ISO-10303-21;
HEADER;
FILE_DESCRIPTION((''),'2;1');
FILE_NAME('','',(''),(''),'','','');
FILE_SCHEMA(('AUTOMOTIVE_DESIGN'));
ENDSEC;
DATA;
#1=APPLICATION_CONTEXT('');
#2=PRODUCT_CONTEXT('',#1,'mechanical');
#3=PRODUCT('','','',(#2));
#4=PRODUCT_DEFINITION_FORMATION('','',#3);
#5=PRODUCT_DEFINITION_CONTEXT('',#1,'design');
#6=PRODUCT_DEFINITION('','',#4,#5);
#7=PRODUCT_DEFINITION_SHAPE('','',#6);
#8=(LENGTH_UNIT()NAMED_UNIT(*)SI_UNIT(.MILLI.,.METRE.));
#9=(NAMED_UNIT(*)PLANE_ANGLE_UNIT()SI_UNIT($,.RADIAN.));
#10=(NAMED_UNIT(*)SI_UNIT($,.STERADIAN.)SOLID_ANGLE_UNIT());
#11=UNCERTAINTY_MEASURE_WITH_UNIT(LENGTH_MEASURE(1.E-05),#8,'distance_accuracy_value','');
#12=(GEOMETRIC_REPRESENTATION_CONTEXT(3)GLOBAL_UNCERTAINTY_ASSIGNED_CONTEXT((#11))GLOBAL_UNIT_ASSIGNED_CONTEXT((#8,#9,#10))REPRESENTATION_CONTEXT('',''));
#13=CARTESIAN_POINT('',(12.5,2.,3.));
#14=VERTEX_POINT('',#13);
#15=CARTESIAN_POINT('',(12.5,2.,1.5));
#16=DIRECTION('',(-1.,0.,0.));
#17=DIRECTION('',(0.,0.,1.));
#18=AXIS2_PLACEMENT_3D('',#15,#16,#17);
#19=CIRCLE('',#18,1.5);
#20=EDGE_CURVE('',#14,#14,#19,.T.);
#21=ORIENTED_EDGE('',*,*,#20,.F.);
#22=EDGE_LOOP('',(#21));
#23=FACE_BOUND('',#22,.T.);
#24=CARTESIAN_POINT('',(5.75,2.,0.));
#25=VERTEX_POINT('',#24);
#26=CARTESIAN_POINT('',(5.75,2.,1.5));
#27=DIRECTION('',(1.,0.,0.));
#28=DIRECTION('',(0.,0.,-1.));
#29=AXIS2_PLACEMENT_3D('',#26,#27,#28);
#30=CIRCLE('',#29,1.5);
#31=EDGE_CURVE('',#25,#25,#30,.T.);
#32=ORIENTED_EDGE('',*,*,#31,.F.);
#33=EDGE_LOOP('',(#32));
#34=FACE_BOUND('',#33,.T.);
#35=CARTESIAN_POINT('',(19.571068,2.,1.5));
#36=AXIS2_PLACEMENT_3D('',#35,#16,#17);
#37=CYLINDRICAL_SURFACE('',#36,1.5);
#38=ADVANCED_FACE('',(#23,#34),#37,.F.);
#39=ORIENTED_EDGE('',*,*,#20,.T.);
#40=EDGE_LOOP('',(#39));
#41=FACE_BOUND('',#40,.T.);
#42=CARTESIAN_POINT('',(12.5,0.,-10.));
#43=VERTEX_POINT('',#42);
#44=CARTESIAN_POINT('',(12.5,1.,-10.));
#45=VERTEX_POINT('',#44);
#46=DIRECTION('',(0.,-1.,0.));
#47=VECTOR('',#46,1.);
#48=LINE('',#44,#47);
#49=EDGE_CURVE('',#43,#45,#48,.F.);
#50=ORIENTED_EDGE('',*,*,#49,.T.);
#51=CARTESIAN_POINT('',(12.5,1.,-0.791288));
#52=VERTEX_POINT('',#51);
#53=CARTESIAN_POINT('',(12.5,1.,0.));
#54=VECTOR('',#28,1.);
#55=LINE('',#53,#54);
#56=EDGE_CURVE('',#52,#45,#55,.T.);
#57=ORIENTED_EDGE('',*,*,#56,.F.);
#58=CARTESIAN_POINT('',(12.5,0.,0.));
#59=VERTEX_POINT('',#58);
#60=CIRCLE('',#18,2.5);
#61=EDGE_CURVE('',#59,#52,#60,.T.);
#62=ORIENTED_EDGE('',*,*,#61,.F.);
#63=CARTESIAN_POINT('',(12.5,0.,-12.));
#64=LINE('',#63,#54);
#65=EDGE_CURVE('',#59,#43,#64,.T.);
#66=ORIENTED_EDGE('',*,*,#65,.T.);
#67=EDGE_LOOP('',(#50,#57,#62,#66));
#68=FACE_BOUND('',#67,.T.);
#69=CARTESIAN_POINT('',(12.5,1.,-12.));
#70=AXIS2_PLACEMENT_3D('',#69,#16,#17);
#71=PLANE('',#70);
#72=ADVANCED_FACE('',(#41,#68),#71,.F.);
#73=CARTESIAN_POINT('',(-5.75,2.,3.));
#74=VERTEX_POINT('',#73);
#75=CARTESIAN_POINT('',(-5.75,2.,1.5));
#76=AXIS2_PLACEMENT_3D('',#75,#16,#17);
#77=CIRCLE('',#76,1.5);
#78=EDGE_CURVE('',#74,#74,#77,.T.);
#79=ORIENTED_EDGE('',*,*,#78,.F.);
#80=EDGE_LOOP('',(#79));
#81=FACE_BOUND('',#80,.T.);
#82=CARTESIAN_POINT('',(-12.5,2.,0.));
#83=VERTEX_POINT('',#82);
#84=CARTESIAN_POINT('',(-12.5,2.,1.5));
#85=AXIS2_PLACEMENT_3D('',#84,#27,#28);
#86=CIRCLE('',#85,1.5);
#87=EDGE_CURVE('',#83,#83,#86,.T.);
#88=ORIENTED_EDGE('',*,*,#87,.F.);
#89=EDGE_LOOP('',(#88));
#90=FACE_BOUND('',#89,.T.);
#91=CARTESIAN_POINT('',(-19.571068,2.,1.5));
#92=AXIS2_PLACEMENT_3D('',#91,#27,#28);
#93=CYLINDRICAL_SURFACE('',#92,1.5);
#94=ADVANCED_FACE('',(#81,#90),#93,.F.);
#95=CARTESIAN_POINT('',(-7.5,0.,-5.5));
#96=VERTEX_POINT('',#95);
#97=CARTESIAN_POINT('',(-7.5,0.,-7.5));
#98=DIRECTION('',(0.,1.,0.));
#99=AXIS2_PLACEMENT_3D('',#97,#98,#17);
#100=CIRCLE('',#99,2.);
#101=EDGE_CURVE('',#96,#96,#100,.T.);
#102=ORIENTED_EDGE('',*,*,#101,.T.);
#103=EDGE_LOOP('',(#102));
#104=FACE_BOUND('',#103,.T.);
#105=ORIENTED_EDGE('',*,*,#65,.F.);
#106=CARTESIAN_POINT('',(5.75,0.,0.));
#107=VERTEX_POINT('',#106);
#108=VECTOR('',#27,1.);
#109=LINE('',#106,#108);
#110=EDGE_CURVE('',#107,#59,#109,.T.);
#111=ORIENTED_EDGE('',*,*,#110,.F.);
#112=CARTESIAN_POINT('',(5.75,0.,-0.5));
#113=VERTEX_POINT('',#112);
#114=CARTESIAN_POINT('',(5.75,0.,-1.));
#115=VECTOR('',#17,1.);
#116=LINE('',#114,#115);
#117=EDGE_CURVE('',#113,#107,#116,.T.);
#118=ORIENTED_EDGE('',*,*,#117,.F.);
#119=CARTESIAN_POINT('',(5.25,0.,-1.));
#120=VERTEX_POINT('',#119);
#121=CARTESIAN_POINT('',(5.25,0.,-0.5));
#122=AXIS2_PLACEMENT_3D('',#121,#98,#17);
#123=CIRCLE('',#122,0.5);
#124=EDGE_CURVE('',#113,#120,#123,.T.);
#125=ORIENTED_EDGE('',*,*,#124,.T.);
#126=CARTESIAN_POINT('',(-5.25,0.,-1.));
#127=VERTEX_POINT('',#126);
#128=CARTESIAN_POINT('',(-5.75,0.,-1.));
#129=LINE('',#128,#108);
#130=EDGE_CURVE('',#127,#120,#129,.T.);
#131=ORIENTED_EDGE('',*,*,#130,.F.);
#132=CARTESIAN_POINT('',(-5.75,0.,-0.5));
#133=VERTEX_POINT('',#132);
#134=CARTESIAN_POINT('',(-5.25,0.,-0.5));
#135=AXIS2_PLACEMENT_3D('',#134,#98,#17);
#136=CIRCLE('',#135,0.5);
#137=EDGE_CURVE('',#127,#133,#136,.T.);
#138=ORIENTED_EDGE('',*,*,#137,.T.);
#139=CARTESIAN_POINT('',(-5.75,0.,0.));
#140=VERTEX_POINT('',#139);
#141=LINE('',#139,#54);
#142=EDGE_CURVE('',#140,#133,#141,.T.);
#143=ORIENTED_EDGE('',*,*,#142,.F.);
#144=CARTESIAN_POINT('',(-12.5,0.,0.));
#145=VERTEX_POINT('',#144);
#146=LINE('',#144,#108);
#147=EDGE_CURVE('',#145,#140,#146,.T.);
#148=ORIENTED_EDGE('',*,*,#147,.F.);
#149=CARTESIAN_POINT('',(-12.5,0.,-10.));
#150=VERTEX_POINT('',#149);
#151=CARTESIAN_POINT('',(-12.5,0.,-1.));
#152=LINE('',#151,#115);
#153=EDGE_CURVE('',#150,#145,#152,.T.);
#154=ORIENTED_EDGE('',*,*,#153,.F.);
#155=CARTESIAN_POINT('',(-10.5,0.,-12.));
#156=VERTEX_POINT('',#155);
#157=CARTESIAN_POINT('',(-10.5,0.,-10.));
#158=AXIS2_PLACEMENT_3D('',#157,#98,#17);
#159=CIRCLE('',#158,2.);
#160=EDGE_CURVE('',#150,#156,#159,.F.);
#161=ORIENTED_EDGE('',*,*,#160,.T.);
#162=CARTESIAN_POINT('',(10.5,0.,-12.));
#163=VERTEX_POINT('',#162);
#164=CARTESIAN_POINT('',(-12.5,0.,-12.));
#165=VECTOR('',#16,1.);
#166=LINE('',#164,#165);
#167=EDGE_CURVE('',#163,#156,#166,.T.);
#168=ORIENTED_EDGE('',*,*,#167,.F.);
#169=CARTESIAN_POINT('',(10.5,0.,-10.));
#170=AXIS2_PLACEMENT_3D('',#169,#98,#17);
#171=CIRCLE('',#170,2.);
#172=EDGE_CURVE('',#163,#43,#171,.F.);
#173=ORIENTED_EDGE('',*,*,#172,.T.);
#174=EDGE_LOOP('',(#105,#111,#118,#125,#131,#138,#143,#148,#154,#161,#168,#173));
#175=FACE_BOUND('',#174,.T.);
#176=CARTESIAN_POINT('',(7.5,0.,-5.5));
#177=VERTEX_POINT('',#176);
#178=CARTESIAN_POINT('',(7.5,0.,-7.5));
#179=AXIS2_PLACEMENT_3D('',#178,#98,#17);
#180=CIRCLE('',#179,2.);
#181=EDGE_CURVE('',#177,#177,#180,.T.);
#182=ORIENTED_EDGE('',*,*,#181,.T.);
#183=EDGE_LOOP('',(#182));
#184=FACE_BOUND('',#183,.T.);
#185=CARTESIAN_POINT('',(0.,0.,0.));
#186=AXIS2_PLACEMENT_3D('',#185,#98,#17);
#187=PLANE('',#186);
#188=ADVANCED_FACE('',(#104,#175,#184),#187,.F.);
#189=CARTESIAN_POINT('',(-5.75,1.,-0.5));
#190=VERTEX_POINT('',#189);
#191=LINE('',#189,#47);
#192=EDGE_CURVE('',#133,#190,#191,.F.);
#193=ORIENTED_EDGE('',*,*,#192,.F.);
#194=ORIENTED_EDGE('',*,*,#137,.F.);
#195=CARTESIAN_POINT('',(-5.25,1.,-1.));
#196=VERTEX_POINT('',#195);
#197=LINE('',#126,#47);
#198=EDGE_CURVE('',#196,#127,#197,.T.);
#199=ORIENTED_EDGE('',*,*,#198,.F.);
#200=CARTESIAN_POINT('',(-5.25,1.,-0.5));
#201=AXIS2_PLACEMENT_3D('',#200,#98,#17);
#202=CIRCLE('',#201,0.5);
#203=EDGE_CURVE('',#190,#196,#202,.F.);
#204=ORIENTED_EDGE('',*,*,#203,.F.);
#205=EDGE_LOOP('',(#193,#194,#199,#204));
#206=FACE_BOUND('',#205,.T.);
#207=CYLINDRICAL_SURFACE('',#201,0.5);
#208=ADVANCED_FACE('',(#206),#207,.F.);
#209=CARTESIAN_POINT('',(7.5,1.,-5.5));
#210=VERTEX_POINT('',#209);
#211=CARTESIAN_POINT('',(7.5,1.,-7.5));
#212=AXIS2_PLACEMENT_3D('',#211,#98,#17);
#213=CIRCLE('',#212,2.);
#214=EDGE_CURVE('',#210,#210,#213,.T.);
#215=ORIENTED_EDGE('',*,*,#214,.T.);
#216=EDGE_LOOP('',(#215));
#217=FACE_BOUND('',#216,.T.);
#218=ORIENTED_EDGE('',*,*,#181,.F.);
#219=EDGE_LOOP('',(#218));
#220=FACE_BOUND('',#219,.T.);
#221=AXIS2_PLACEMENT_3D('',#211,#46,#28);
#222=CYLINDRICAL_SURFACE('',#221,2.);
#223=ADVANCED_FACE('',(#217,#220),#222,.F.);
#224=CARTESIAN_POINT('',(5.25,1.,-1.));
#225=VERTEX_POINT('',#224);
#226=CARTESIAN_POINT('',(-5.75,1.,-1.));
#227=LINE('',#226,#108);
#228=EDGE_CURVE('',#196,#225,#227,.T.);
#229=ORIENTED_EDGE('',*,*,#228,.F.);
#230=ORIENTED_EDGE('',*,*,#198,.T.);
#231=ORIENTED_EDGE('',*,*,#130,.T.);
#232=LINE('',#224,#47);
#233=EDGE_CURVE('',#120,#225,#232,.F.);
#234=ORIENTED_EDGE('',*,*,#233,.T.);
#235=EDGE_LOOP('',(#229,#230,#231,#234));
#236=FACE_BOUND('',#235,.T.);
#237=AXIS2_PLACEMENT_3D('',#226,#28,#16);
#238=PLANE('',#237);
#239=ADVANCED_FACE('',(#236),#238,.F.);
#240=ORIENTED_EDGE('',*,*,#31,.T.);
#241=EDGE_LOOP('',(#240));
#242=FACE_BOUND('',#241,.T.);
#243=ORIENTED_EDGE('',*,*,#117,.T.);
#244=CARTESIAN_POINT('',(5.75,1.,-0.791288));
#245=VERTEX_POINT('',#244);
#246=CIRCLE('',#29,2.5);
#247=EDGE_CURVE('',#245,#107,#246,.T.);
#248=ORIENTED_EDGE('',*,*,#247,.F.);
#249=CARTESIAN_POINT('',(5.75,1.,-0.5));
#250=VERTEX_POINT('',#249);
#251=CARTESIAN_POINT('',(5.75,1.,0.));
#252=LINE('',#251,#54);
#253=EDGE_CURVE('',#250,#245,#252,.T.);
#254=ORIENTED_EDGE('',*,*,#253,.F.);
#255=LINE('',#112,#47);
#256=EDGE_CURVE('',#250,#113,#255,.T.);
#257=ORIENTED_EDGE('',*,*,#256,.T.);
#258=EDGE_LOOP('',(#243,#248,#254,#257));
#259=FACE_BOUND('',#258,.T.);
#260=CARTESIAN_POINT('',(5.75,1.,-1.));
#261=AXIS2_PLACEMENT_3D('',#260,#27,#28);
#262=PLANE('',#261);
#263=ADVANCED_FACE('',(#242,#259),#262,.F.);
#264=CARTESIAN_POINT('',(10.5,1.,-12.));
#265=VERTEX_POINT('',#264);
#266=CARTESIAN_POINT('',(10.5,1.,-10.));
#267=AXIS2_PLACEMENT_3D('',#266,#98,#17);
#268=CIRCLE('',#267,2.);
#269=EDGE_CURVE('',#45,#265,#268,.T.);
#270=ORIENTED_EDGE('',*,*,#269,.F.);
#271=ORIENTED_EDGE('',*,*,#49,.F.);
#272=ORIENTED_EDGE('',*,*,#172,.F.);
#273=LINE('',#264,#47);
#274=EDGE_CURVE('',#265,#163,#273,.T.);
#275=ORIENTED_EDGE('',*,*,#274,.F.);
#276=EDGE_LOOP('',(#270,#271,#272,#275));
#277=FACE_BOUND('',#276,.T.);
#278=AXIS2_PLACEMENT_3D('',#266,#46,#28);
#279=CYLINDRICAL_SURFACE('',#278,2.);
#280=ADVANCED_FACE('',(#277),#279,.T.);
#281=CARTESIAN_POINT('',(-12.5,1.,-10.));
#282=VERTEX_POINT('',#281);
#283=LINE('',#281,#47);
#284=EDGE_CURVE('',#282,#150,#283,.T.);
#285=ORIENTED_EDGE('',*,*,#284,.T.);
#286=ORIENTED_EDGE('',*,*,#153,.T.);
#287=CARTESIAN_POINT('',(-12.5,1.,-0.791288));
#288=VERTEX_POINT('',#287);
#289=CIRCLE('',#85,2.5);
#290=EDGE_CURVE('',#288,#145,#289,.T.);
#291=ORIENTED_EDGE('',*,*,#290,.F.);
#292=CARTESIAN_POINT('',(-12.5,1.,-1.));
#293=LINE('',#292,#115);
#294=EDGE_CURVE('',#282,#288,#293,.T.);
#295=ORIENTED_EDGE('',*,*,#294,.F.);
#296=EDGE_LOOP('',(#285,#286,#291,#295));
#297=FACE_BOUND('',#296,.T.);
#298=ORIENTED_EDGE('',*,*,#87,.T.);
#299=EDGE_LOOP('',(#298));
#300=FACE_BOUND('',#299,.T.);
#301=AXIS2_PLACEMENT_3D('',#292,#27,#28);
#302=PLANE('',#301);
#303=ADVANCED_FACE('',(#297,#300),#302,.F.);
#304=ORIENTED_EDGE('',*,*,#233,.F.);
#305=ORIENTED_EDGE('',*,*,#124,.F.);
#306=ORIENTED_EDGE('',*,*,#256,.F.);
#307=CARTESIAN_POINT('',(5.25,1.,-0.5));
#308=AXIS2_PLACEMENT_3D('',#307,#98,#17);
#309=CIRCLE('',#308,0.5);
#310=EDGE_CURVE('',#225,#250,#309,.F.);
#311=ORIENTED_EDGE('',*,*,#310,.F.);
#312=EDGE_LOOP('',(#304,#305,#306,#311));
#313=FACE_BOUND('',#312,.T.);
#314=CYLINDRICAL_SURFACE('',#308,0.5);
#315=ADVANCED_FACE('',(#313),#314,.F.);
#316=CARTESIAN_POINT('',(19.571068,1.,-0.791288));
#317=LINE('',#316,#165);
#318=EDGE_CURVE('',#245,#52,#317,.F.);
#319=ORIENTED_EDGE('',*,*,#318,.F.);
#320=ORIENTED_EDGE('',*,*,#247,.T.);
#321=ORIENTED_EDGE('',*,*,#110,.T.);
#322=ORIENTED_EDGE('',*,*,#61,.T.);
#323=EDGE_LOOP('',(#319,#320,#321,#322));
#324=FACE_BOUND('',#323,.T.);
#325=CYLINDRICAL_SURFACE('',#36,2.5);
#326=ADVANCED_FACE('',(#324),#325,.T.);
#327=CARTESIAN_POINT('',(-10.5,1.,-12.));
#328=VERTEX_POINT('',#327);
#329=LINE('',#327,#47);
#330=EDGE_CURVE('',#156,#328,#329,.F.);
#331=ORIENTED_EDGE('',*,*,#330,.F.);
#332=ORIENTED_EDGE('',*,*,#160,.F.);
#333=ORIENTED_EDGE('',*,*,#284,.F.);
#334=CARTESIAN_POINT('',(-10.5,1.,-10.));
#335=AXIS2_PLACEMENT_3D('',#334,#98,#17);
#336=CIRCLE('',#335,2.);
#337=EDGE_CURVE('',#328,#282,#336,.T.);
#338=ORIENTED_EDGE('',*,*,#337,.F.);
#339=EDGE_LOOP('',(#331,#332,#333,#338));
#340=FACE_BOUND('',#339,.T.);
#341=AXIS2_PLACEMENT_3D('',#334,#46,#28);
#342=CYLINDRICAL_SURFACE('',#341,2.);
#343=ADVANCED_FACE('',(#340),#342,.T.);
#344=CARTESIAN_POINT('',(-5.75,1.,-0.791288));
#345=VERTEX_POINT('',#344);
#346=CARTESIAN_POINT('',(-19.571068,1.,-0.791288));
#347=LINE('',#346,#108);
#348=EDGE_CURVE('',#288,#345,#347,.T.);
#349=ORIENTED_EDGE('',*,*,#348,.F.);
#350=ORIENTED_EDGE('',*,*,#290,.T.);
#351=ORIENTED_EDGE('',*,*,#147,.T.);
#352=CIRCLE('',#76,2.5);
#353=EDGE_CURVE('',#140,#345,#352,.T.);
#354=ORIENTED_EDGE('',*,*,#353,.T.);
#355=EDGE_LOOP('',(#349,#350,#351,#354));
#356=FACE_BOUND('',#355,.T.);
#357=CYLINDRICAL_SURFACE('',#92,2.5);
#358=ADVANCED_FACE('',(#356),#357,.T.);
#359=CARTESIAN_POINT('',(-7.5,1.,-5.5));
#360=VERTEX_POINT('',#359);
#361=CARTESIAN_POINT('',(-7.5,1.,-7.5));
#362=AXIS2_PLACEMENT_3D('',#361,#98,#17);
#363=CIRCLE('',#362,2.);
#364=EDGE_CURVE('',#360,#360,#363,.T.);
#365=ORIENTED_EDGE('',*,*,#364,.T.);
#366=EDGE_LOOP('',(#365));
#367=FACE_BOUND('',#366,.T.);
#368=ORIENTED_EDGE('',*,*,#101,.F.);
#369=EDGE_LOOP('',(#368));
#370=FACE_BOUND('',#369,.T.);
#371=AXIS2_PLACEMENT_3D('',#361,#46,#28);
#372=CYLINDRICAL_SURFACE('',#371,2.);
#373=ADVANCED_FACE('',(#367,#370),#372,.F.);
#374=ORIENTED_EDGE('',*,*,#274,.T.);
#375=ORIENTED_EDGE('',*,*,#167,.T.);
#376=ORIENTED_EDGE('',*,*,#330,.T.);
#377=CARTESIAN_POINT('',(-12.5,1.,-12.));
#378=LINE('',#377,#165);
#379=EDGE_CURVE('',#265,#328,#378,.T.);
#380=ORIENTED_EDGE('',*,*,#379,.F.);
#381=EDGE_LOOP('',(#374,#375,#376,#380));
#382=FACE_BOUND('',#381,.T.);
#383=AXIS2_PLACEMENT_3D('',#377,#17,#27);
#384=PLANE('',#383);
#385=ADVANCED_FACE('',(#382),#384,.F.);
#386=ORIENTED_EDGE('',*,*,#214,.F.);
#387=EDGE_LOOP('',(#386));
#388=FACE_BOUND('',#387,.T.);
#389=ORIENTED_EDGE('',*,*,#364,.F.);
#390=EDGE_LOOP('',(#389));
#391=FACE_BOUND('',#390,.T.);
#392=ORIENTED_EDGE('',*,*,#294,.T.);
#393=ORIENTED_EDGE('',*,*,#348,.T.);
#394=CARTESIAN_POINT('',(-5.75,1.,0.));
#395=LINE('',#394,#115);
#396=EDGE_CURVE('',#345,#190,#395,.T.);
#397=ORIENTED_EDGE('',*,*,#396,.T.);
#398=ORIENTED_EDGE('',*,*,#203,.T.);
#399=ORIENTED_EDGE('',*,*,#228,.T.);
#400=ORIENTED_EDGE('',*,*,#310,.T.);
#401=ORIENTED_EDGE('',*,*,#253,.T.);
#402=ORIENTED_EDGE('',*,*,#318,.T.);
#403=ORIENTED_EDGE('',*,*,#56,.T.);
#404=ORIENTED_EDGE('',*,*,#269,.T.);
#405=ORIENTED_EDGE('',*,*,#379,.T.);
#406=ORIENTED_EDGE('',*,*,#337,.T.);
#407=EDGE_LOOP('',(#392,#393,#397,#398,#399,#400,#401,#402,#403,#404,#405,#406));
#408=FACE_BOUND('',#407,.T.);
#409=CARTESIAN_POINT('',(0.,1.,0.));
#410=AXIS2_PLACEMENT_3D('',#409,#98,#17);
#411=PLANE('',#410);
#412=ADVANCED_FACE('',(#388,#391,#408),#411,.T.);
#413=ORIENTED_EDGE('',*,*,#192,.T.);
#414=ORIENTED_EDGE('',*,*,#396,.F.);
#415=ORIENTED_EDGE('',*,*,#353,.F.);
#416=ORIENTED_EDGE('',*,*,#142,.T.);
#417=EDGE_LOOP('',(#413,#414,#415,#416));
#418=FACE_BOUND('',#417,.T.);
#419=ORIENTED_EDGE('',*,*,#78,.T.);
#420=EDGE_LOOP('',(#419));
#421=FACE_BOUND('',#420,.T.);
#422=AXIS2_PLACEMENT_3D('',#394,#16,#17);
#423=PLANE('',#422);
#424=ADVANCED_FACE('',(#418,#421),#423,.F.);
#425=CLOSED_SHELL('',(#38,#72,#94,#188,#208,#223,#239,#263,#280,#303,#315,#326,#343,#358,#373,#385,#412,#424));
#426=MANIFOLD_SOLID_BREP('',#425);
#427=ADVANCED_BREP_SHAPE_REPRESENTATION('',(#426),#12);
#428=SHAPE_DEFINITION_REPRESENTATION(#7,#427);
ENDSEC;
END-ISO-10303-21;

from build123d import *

# Parameters (mm, degrees)
SKETCH_1_R      = 2
EXTRUDE_1_DEPTH = 1
FILLET_1_R      = 2
FILLET_2_R      = 0.5
EXTRUDE_START   = -5.75
SKETCH_2_R      = 2.5
SKETCH_2_R_2    = 1.5
EXTRUDE_2_DEPTH = 6.75
EXTRUDE_START_2 = 12.5
SKETCH_2_3_R    = 2.5
SKETCH_2_3_R_2  = 1.5
EXTRUDE_3_DEPTH = 6.75


with BuildPart() as part:
    # 草图1 → 凸台-拉伸1 (new body)
    with BuildSketch(Plane(origin=(0, 0, 0), x_dir=(1, 0, 0), z_dir=(0, 1, 0))):
        Polygon((-5.75, 0), (-5.75, 1), (5.75, 1), (5.75, 0), (12.5, 0), (12.5, 1), (12.5, 12), (-12.5, 12), (-12.5, 1), (-12.5, 0), align=None)
        with Locations(Location((-7.5, 7.5, 0), (0, 0, 270))):
            Circle(SKETCH_1_R, mode=Mode.SUBTRACT)
        with Locations(Location((7.5, 7.5, 0), (0, 0, 270))):
            Circle(SKETCH_1_R, mode=Mode.SUBTRACT)
    extrude(amount=EXTRUDE_1_DEPTH)

    # 圆角1
    fillet_1_edges = [part.edges().sort_by_distance(p)[0] for p in [
        (-12.5, 0.5, -12),
        (12.5, 0.5, -12),
    ]]
    fillet(fillet_1_edges, radius=FILLET_1_R)

    # 圆角2
    fillet_2_edges = [part.edges().sort_by_distance(p)[0] for p in [
        (5.75, 0.5, -1),
        (-5.75, 0.5, -1),
    ]]
    fillet(fillet_2_edges, radius=FILLET_2_R)

    # 草图2 → 凸台-拉伸2 (add)
    with BuildSketch(Plane(origin=(0, 0, 0), x_dir=(0, 0, -1), z_dir=(1, 0, 0)).offset(EXTRUDE_START)):
        with Locations((-1.5, 2)):
            Circle(SKETCH_2_R)
        with Locations((-1.5, 2)):
            Circle(SKETCH_2_R_2, mode=Mode.SUBTRACT)
    extrude(amount=-EXTRUDE_2_DEPTH)

    # 草图2<3> → 凸台-拉伸3 (add)
    with BuildSketch(Plane(origin=(0, 0, 0), x_dir=(0, 0, -1), z_dir=(1, 0, 0)).offset(EXTRUDE_START_2)):
        with Locations((-1.5, 2)):
            Circle(SKETCH_2_3_R)
        with Locations((-1.5, 2)):
            Circle(SKETCH_2_3_R_2, mode=Mode.SUBTRACT)
    extrude(amount=-EXTRUDE_3_DEPTH)


solid = part.part
